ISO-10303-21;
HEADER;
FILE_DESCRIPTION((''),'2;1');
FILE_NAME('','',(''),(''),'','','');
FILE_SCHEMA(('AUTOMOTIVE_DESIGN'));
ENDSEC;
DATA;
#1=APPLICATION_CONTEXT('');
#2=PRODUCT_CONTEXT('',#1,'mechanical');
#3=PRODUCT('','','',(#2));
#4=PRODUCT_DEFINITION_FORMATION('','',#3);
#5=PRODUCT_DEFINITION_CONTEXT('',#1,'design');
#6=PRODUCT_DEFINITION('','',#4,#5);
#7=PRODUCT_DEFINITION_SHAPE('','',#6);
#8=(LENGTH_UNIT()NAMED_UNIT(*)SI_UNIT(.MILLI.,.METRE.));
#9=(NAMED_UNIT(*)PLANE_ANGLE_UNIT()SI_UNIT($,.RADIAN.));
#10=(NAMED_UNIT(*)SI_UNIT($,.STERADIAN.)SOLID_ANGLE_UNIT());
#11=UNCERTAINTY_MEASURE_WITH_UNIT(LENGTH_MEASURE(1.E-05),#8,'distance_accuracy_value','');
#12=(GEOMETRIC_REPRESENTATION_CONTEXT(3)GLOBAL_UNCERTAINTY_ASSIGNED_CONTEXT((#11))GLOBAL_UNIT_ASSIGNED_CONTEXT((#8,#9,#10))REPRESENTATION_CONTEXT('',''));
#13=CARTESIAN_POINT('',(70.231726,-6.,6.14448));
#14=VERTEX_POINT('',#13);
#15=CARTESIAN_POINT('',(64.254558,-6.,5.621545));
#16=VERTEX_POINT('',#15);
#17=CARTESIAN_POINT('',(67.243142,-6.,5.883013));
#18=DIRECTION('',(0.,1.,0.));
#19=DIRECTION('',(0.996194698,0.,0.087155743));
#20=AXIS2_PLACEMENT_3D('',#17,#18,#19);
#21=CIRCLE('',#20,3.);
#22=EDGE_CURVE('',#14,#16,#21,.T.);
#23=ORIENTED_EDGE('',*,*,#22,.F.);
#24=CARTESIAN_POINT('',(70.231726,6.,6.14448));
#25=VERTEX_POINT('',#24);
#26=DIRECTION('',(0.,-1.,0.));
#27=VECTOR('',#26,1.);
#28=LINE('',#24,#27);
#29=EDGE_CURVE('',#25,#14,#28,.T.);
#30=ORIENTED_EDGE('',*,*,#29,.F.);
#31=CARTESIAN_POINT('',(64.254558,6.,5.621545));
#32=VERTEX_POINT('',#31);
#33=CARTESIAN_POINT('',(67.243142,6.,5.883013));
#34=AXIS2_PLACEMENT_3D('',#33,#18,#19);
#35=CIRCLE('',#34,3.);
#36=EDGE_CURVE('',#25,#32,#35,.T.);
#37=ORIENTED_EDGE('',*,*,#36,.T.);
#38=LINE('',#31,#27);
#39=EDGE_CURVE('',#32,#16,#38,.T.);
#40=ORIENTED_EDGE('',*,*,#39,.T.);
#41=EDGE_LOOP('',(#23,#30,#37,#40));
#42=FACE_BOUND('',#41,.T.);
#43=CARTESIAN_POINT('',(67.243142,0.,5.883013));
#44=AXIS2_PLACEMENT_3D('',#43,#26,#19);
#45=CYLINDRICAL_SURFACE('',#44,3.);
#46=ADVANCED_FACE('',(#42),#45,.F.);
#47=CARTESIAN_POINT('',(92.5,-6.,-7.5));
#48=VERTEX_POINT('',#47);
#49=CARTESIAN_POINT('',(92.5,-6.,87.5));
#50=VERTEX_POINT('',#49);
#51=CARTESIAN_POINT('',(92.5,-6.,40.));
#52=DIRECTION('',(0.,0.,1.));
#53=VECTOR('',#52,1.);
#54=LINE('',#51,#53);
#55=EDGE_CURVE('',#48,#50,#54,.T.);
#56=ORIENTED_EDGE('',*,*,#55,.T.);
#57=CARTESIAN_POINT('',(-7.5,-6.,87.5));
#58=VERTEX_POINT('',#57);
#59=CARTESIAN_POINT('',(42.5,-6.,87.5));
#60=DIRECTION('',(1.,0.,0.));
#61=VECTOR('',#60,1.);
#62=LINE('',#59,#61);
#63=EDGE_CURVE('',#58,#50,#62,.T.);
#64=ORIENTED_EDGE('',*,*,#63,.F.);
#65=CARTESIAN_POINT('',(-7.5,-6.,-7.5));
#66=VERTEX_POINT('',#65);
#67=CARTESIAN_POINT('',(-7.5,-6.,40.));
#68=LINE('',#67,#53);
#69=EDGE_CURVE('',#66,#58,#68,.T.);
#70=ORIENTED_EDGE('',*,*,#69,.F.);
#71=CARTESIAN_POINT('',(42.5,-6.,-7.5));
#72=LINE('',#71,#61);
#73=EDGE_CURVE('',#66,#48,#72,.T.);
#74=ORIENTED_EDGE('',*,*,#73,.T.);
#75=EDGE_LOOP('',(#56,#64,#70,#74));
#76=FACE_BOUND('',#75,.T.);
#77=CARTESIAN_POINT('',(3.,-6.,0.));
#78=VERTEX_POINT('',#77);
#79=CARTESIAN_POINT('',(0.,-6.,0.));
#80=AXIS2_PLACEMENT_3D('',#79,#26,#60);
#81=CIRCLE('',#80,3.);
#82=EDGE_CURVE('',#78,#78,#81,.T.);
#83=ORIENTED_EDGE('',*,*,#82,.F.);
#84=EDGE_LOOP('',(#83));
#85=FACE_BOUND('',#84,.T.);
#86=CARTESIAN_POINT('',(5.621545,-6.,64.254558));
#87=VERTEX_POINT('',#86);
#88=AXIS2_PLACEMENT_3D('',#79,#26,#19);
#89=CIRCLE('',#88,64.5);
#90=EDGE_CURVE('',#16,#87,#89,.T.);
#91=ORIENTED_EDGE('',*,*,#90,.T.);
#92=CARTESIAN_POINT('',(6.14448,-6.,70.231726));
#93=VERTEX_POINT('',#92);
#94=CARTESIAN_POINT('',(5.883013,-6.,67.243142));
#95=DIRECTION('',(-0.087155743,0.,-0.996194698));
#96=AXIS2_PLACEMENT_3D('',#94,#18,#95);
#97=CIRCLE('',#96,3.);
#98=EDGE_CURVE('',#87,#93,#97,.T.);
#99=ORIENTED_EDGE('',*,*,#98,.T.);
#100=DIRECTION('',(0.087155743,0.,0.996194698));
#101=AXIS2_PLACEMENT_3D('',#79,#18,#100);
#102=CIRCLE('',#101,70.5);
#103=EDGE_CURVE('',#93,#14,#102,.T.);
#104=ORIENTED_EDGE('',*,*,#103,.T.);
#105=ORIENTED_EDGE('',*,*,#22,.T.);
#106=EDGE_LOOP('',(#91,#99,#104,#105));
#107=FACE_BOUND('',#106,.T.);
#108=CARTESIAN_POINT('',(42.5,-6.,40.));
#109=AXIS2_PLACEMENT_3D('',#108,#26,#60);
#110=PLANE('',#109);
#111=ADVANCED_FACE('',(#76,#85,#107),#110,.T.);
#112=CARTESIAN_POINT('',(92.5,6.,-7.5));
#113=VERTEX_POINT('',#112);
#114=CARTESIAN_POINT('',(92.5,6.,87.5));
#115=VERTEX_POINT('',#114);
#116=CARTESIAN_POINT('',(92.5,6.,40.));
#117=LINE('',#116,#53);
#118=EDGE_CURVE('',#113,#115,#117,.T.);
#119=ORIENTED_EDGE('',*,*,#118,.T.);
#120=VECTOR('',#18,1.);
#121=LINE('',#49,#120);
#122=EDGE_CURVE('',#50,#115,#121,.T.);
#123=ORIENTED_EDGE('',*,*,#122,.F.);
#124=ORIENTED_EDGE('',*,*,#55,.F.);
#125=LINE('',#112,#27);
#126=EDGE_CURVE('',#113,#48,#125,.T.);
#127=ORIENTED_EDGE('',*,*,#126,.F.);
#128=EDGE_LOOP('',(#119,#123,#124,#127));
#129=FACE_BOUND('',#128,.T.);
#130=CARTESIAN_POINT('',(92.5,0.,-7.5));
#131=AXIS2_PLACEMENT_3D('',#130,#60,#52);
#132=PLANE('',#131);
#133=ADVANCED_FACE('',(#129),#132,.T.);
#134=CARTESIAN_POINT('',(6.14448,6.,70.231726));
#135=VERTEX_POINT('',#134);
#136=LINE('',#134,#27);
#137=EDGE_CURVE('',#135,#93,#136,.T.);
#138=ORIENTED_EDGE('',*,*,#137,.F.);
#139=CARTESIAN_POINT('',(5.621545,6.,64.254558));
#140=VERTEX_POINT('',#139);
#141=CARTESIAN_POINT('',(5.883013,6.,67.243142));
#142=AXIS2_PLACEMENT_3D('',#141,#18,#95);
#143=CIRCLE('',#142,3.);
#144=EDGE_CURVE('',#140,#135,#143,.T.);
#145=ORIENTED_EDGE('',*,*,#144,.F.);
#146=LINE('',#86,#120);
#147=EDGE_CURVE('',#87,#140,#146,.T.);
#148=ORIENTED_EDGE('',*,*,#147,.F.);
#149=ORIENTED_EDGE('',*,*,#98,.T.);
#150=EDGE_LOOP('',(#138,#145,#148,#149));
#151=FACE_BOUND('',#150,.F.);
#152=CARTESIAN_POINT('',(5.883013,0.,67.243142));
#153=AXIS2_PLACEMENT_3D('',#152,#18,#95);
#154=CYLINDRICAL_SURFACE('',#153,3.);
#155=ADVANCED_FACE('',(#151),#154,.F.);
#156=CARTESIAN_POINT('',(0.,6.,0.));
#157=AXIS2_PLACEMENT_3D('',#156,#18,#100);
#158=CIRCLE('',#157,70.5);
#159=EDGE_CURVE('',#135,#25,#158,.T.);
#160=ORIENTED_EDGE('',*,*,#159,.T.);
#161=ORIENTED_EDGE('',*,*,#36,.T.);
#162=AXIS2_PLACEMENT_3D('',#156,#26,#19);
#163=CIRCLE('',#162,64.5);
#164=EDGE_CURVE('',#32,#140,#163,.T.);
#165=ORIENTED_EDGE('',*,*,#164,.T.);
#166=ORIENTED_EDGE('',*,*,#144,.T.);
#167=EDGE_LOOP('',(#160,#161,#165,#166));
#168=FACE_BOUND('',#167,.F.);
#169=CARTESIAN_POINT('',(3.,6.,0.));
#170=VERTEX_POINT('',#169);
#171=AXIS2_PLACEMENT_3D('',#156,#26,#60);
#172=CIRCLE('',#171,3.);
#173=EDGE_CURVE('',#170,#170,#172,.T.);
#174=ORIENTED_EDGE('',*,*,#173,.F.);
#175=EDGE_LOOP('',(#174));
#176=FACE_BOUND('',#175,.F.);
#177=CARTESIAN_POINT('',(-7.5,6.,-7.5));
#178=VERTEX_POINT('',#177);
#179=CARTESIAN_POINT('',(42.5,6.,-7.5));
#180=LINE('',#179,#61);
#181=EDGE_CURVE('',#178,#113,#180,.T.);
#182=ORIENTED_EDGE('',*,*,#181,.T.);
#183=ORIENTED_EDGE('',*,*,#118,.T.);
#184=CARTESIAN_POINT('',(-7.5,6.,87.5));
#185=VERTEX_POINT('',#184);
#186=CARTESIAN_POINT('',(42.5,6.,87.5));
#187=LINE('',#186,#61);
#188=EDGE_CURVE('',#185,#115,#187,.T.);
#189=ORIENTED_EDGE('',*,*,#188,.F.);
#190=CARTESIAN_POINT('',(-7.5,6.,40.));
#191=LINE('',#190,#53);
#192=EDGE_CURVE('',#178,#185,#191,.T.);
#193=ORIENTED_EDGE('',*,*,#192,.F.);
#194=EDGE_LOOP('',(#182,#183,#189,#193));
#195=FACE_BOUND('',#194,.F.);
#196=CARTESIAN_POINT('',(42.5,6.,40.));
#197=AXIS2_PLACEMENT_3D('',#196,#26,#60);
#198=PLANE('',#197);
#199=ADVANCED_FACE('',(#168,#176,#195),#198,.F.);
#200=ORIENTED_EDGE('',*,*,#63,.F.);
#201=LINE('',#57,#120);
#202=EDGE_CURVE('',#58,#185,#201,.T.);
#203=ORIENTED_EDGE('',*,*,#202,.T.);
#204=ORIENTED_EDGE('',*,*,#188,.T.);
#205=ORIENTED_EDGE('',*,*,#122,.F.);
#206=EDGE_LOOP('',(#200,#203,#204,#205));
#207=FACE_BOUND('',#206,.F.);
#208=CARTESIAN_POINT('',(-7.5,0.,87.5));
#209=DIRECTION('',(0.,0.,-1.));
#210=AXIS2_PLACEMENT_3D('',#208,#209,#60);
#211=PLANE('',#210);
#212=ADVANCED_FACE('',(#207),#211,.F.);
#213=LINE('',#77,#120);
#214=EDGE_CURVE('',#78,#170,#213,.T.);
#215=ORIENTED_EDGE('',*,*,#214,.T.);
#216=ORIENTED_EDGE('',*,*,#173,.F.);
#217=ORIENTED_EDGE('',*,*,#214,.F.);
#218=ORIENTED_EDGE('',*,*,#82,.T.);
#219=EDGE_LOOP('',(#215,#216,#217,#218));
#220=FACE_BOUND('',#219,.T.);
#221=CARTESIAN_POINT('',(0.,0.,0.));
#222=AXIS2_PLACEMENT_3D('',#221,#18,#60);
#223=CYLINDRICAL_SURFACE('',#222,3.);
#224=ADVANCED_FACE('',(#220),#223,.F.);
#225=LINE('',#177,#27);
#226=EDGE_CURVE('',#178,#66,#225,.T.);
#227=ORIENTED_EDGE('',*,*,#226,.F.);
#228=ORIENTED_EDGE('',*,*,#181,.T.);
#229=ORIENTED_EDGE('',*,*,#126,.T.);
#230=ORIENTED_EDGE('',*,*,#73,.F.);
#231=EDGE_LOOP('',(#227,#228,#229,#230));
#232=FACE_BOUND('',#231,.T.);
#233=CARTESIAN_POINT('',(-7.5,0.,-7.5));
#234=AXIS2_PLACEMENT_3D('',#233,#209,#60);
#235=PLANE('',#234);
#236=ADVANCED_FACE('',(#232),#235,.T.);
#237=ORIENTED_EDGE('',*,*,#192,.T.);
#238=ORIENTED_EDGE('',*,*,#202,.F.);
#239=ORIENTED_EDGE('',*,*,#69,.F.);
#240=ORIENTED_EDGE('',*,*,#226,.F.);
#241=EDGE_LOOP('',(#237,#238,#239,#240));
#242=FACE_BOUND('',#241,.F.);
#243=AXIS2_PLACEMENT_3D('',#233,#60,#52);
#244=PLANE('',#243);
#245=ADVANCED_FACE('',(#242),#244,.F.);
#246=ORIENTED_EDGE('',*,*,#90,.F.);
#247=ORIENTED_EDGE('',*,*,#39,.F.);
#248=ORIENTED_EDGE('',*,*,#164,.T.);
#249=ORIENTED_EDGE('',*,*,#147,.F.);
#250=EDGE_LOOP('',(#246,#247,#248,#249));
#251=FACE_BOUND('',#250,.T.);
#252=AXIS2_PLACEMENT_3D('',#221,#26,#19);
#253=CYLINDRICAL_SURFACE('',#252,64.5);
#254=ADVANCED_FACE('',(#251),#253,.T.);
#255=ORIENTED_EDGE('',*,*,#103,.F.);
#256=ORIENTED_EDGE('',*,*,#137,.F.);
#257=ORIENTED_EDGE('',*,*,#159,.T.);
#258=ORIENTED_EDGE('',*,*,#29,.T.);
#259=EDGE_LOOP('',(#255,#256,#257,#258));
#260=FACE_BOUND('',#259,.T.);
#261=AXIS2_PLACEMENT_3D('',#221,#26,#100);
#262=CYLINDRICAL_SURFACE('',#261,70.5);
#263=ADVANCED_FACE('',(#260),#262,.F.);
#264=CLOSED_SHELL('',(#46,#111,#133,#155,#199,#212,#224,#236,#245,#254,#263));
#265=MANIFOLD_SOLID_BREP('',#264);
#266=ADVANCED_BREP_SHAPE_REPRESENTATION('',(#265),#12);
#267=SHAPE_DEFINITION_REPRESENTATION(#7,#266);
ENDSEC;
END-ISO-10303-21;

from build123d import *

# Parameters (mm, degrees)
F0_W     = 100
F0_H     = 95
F0_R     = 3
F1_DEPTH = 6


with BuildPart() as f1:
    # F0 (on Front) → F1 (new body, symmetric)
    with BuildSketch(Plane.XZ):
        with Locations((42.5, 40)):
            Rectangle(F0_W, F0_H)
        Circle(F0_R, mode=Mode.SUBTRACT)
        with BuildLine():
            ThreePointArc((5.6215454072, 64.2545580269), (2.8944285412, 67.5046093494), (6.1444798637, 70.2317262155))
            ThreePointArc((6.1444798637, 70.2317262155), (49.8510280737, 49.8510280737), (70.2317262155, 6.1444798637))
            ThreePointArc((70.2317262155, 6.1444798637), (67.5046093494, 2.8944285412), (64.2545580269, 5.6215454072))
            ThreePointArc((64.2545580269, 5.6215454072), (45.6083873865, 45.6083873865), (5.6215454072, 64.2545580269))
        make_face(mode=Mode.SUBTRACT)
    extrude(amount=F1_DEPTH, both=True)


solid = f1.part
